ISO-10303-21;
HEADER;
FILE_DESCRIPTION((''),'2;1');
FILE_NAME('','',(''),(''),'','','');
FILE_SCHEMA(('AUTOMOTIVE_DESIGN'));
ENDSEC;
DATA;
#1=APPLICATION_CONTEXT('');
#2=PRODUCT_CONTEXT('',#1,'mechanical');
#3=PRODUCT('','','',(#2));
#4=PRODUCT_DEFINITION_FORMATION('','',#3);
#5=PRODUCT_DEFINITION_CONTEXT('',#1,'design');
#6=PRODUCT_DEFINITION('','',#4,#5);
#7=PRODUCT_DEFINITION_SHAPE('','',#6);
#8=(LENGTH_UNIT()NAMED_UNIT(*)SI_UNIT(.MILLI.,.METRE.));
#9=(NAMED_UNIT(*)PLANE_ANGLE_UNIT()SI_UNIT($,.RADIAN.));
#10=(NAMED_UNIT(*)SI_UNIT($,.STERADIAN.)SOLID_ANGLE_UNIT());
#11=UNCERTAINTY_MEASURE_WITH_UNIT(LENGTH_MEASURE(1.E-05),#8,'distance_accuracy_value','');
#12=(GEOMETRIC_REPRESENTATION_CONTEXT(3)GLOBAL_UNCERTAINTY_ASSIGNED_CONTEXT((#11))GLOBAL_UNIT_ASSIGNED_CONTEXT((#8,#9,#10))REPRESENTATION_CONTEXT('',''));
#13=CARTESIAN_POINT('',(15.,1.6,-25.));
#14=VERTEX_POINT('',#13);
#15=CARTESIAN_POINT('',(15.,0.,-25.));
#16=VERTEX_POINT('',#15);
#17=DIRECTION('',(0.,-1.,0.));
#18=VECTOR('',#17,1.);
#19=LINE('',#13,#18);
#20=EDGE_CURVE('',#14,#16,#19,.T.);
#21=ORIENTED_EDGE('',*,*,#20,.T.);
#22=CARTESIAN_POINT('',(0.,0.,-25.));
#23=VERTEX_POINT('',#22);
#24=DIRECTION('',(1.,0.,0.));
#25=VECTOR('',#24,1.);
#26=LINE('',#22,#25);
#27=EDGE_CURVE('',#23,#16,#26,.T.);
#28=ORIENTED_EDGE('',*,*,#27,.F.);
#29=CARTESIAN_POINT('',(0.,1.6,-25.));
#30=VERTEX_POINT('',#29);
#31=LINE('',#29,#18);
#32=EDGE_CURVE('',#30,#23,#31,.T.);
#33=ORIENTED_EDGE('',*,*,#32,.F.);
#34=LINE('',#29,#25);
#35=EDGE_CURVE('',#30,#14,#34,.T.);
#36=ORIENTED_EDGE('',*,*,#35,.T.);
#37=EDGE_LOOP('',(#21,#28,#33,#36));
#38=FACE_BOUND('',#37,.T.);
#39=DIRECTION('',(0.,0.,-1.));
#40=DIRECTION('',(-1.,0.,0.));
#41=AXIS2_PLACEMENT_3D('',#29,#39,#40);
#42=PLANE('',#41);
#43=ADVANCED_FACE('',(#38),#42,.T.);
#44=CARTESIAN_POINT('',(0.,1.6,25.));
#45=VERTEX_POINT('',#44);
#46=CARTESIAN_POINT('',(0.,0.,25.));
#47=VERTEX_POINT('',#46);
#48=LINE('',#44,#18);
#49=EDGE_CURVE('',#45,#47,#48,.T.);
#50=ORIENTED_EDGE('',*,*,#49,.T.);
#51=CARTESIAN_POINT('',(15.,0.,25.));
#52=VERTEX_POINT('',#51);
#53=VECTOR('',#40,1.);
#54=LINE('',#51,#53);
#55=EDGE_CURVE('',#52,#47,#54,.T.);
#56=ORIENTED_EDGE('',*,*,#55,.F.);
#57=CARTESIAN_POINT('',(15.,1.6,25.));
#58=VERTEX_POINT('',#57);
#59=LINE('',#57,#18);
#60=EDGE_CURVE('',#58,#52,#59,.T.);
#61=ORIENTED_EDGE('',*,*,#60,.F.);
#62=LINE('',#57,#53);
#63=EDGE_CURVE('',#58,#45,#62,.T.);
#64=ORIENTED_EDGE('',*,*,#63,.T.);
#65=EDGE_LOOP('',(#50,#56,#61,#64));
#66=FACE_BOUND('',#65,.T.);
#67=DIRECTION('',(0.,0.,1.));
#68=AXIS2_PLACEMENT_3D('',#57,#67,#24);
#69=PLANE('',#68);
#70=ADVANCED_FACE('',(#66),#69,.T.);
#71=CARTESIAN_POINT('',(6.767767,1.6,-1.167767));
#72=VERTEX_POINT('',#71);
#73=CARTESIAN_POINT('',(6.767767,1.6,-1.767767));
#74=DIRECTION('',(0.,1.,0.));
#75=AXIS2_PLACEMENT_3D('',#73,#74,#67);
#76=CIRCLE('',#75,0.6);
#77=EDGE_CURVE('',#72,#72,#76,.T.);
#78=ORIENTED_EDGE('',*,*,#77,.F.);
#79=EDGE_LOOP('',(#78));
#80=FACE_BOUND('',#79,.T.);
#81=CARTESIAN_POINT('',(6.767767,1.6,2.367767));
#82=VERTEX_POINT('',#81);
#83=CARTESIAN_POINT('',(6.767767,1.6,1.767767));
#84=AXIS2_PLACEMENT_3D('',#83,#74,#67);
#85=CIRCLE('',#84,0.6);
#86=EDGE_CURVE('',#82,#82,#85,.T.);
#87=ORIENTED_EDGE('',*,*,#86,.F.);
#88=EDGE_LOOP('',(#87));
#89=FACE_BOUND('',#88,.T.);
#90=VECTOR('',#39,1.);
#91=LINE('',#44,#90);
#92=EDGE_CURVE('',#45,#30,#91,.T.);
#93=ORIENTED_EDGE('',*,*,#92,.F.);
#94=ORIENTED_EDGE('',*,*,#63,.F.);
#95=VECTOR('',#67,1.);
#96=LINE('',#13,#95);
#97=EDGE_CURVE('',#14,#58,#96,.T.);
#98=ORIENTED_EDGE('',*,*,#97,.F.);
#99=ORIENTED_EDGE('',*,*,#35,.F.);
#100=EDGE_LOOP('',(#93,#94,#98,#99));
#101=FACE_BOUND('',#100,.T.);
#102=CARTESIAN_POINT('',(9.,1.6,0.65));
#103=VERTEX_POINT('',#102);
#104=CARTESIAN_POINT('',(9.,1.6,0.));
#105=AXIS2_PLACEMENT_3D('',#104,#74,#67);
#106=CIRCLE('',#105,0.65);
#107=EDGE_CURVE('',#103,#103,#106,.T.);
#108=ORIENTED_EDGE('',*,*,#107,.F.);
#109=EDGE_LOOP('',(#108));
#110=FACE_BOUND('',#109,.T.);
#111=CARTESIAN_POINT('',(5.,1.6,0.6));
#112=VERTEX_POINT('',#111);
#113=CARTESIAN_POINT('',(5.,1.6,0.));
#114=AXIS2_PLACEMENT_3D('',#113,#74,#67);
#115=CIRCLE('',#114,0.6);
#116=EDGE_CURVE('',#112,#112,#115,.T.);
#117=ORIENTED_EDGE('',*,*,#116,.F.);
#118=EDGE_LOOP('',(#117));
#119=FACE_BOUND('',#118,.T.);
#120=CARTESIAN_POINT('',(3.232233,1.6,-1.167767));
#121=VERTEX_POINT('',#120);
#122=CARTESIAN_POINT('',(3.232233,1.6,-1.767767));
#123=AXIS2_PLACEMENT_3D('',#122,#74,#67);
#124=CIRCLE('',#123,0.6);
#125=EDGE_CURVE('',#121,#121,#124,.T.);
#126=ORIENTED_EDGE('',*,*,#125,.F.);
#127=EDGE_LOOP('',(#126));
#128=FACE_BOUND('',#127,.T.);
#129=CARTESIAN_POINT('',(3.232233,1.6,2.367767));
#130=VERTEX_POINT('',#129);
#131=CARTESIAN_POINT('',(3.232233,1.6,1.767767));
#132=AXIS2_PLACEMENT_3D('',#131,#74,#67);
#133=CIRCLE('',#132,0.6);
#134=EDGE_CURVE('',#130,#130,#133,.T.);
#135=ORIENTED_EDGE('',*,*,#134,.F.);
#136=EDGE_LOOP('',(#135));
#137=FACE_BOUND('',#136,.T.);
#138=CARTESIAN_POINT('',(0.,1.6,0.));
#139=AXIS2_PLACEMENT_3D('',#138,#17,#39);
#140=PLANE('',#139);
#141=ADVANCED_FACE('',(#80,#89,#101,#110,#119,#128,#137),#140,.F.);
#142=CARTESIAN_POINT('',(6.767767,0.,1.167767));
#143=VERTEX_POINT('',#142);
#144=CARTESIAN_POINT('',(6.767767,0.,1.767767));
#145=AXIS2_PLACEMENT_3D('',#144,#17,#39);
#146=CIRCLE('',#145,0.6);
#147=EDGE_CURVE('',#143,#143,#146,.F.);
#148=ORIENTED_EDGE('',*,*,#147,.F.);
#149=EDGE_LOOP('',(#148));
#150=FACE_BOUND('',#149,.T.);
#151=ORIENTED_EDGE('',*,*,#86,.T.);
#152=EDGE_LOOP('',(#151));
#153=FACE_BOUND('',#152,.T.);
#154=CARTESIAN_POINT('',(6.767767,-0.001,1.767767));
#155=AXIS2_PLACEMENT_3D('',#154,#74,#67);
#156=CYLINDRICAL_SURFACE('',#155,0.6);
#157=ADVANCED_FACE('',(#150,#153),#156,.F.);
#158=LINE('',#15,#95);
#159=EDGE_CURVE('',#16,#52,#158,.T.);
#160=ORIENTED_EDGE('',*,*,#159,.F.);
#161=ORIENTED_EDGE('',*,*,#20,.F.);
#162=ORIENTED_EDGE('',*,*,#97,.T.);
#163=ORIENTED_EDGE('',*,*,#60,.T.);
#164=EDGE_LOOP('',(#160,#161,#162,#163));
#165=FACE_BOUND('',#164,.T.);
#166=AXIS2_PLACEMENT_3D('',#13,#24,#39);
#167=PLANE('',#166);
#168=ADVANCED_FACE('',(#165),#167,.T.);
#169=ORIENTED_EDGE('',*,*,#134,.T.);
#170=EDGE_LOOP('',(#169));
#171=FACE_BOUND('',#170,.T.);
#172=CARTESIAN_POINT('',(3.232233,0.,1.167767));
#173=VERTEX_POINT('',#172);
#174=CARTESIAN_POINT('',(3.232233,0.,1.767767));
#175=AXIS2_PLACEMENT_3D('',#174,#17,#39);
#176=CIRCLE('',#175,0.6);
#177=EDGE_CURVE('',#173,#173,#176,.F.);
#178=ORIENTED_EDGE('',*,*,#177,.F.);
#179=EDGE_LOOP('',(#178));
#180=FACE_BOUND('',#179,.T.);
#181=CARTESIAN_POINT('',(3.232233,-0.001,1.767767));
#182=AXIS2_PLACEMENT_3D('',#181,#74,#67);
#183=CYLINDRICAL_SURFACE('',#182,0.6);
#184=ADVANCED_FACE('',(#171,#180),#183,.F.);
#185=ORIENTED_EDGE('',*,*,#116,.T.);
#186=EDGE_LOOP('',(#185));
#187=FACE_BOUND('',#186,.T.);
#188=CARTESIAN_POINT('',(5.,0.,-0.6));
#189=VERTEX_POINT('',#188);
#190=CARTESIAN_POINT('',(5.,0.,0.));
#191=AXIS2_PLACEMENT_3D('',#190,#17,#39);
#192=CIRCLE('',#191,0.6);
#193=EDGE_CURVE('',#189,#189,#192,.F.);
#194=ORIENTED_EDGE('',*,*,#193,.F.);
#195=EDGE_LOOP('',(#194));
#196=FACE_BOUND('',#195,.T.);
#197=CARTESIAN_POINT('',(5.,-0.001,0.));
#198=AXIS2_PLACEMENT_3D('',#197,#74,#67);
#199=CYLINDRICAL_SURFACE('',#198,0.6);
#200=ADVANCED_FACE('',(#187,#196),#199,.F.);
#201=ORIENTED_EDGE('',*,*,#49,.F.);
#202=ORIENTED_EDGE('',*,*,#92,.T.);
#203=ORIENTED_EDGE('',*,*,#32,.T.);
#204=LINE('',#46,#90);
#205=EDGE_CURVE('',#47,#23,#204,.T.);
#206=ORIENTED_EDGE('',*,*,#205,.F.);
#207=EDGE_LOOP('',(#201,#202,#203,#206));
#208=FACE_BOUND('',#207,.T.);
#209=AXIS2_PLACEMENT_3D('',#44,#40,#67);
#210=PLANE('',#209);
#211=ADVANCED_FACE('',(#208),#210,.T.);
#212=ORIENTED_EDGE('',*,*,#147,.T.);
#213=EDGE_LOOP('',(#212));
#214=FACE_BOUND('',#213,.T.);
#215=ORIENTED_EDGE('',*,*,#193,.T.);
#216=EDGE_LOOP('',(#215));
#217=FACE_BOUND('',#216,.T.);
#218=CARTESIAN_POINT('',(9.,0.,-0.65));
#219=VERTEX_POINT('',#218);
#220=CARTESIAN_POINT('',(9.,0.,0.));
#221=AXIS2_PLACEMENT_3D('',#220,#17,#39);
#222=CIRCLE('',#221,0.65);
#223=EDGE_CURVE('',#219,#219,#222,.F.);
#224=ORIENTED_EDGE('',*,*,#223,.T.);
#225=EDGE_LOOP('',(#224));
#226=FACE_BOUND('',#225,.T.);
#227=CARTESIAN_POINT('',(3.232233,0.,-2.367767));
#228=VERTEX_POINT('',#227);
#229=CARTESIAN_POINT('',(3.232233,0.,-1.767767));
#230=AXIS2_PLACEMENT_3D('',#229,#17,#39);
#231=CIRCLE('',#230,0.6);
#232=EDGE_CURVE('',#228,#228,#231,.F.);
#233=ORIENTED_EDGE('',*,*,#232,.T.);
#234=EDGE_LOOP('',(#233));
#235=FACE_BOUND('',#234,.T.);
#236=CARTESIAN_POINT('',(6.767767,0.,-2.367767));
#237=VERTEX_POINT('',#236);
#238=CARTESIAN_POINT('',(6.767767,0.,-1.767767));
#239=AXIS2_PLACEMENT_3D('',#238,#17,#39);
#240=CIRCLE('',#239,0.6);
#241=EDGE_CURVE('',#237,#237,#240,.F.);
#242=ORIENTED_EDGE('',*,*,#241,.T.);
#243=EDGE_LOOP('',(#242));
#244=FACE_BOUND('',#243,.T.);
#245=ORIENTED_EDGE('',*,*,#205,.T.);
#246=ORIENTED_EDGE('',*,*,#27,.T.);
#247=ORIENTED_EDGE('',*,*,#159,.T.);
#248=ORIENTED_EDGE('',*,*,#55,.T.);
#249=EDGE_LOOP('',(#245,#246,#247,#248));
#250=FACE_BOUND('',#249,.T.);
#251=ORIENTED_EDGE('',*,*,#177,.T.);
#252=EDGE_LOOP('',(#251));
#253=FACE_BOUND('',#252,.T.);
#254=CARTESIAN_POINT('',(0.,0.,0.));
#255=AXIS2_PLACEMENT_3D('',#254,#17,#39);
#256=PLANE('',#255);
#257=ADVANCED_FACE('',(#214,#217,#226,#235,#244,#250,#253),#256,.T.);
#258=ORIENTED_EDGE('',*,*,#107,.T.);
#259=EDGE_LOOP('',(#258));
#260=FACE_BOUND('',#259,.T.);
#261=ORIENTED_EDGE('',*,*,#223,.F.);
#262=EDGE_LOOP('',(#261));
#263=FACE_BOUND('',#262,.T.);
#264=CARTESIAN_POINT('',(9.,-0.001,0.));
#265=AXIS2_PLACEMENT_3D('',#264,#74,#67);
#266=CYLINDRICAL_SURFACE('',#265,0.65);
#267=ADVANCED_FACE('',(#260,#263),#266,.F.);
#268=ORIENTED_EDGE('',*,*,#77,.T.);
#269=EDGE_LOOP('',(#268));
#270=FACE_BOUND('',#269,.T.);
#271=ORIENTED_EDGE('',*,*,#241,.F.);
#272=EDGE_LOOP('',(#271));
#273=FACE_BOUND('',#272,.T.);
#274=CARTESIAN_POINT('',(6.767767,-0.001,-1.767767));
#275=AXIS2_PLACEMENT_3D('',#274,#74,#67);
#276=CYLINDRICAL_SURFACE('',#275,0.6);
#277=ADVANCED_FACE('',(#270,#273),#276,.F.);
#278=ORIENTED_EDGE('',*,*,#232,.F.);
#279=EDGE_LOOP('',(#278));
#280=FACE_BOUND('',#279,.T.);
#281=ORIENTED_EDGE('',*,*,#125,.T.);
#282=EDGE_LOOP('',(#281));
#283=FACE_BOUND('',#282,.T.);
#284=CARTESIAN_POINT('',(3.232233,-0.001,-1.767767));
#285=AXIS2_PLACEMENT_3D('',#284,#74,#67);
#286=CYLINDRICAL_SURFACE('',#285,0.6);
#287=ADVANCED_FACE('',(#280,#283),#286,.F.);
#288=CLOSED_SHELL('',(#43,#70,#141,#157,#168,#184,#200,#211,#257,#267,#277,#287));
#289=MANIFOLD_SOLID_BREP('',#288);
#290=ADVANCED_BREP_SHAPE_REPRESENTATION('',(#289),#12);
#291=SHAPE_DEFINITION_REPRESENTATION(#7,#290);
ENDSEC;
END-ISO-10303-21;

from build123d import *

# Parameters (mm, degrees)
SKETCH1_W                = 15
SKETCH1_H                = 50
BOSS_EXTRUDE1_DEPTH      = 1.6
M12_MOUNTING_HOLES_REACH = 31.199
SKETCH3_R                = 0.6
SKETCH3_R_2              = 0.65


with BuildPart() as part:
    # Sketch1 → Boss-Extrude1 (new body)
    with BuildSketch(Plane(origin=(0, 0, 0), x_dir=(1, 0, 0), z_dir=(0, 1, 0))):
        with Locations((7.5, 0)):
            Rectangle(SKETCH1_W, SKETCH1_H)
    extrude(amount=BOSS_EXTRUDE1_DEPTH)

    # Sketch3 → M12 mounting holes (cut, up to next)
    with BuildSketch(Plane(origin=(0, 1.6, 0), x_dir=(1, 0, 0), z_dir=(0, 1, 0)), mode=Mode.PRIVATE) as m12_mounting_holes_sk1:
        with Locations(Location((5, 0, 0), (0, 0, 270))):
            Circle(SKETCH3_R)
    m12_mounting_holes_tool1 = extrude(m12_mounting_holes_sk1.sketch, amount=-M12_MOUNTING_HOLES_REACH, mode=Mode.PRIVATE) & part.part
    # Sketch3 → M12 mounting holes (cut, up to next)
    with BuildSketch(Plane(origin=(0, 1.6, 0), x_dir=(1, 0, 0), z_dir=(0, 1, 0)), mode=Mode.PRIVATE) as m12_mounting_holes_sk2:
        with Locations(Location((3.232233047, 1.767766953, 0), (0, 0, 270))):
            Circle(SKETCH3_R)
    m12_mounting_holes_tool2 = extrude(m12_mounting_holes_sk2.sketch, amount=-M12_MOUNTING_HOLES_REACH, mode=Mode.PRIVATE) & part.part
    # Sketch3 → M12 mounting holes (cut, up to next)
    with BuildSketch(Plane(origin=(0, 1.6, 0), x_dir=(1, 0, 0), z_dir=(0, 1, 0)), mode=Mode.PRIVATE) as m12_mounting_holes_sk3:
        with Locations(Location((6.767766953, 1.767766953, 0), (0, 0, 270))):
            Circle(SKETCH3_R)
    m12_mounting_holes_tool3 = extrude(m12_mounting_holes_sk3.sketch, amount=-M12_MOUNTING_HOLES_REACH, mode=Mode.PRIVATE) & part.part
    # Sketch3 → M12 mounting holes (cut, up to next)
    with BuildSketch(Plane(origin=(0, 1.6, 0), x_dir=(1, 0, 0), z_dir=(0, 1, 0)), mode=Mode.PRIVATE) as m12_mounting_holes_sk4:
        with Locations(Location((6.767766953, -1.767766953, 0), (0, 0, 270))):
            Circle(SKETCH3_R)
    m12_mounting_holes_tool4 = extrude(m12_mounting_holes_sk4.sketch, amount=-M12_MOUNTING_HOLES_REACH, mode=Mode.PRIVATE) & part.part
    # Sketch3 → M12 mounting holes (cut, up to next)
    with BuildSketch(Plane(origin=(0, 1.6, 0), x_dir=(1, 0, 0), z_dir=(0, 1, 0)), mode=Mode.PRIVATE) as m12_mounting_holes_sk5:
        with Locations(Location((3.232233047, -1.767766953, 0), (0, 0, 270))):
            Circle(SKETCH3_R)
    m12_mounting_holes_tool5 = extrude(m12_mounting_holes_sk5.sketch, amount=-M12_MOUNTING_HOLES_REACH, mode=Mode.PRIVATE) & part.part
    # Sketch3 → M12 mounting holes (cut, up to next)
    with BuildSketch(Plane(origin=(0, 1.6, 0), x_dir=(1, 0, 0), z_dir=(0, 1, 0)), mode=Mode.PRIVATE) as m12_mounting_holes_sk6:
        with Locations(Location((9, 0, 0), (0, 0, 270))):
            Circle(SKETCH3_R_2)
    m12_mounting_holes_tool6 = extrude(m12_mounting_holes_sk6.sketch, amount=-M12_MOUNTING_HOLES_REACH, mode=Mode.PRIVATE) & part.part
    add(m12_mounting_holes_tool1.solids().sort_by_distance((5, 1.6, 0))[0], mode=Mode.SUBTRACT)
    add(m12_mounting_holes_tool2.solids().sort_by_distance((3.232233, 1.6, -1.767767))[0], mode=Mode.SUBTRACT)
    add(m12_mounting_holes_tool3.solids().sort_by_distance((6.767767, 1.6, -1.767767))[0], mode=Mode.SUBTRACT)
    add(m12_mounting_holes_tool4.solids().sort_by_distance((6.767767, 1.6, 1.767767))[0], mode=Mode.SUBTRACT)
    add(m12_mounting_holes_tool5.solids().sort_by_distance((3.232233, 1.6, 1.767767))[0], mode=Mode.SUBTRACT)
    add(m12_mounting_holes_tool6.solids().sort_by_distance((9, 1.6, 0))[0], mode=Mode.SUBTRACT)


solid = part.part
